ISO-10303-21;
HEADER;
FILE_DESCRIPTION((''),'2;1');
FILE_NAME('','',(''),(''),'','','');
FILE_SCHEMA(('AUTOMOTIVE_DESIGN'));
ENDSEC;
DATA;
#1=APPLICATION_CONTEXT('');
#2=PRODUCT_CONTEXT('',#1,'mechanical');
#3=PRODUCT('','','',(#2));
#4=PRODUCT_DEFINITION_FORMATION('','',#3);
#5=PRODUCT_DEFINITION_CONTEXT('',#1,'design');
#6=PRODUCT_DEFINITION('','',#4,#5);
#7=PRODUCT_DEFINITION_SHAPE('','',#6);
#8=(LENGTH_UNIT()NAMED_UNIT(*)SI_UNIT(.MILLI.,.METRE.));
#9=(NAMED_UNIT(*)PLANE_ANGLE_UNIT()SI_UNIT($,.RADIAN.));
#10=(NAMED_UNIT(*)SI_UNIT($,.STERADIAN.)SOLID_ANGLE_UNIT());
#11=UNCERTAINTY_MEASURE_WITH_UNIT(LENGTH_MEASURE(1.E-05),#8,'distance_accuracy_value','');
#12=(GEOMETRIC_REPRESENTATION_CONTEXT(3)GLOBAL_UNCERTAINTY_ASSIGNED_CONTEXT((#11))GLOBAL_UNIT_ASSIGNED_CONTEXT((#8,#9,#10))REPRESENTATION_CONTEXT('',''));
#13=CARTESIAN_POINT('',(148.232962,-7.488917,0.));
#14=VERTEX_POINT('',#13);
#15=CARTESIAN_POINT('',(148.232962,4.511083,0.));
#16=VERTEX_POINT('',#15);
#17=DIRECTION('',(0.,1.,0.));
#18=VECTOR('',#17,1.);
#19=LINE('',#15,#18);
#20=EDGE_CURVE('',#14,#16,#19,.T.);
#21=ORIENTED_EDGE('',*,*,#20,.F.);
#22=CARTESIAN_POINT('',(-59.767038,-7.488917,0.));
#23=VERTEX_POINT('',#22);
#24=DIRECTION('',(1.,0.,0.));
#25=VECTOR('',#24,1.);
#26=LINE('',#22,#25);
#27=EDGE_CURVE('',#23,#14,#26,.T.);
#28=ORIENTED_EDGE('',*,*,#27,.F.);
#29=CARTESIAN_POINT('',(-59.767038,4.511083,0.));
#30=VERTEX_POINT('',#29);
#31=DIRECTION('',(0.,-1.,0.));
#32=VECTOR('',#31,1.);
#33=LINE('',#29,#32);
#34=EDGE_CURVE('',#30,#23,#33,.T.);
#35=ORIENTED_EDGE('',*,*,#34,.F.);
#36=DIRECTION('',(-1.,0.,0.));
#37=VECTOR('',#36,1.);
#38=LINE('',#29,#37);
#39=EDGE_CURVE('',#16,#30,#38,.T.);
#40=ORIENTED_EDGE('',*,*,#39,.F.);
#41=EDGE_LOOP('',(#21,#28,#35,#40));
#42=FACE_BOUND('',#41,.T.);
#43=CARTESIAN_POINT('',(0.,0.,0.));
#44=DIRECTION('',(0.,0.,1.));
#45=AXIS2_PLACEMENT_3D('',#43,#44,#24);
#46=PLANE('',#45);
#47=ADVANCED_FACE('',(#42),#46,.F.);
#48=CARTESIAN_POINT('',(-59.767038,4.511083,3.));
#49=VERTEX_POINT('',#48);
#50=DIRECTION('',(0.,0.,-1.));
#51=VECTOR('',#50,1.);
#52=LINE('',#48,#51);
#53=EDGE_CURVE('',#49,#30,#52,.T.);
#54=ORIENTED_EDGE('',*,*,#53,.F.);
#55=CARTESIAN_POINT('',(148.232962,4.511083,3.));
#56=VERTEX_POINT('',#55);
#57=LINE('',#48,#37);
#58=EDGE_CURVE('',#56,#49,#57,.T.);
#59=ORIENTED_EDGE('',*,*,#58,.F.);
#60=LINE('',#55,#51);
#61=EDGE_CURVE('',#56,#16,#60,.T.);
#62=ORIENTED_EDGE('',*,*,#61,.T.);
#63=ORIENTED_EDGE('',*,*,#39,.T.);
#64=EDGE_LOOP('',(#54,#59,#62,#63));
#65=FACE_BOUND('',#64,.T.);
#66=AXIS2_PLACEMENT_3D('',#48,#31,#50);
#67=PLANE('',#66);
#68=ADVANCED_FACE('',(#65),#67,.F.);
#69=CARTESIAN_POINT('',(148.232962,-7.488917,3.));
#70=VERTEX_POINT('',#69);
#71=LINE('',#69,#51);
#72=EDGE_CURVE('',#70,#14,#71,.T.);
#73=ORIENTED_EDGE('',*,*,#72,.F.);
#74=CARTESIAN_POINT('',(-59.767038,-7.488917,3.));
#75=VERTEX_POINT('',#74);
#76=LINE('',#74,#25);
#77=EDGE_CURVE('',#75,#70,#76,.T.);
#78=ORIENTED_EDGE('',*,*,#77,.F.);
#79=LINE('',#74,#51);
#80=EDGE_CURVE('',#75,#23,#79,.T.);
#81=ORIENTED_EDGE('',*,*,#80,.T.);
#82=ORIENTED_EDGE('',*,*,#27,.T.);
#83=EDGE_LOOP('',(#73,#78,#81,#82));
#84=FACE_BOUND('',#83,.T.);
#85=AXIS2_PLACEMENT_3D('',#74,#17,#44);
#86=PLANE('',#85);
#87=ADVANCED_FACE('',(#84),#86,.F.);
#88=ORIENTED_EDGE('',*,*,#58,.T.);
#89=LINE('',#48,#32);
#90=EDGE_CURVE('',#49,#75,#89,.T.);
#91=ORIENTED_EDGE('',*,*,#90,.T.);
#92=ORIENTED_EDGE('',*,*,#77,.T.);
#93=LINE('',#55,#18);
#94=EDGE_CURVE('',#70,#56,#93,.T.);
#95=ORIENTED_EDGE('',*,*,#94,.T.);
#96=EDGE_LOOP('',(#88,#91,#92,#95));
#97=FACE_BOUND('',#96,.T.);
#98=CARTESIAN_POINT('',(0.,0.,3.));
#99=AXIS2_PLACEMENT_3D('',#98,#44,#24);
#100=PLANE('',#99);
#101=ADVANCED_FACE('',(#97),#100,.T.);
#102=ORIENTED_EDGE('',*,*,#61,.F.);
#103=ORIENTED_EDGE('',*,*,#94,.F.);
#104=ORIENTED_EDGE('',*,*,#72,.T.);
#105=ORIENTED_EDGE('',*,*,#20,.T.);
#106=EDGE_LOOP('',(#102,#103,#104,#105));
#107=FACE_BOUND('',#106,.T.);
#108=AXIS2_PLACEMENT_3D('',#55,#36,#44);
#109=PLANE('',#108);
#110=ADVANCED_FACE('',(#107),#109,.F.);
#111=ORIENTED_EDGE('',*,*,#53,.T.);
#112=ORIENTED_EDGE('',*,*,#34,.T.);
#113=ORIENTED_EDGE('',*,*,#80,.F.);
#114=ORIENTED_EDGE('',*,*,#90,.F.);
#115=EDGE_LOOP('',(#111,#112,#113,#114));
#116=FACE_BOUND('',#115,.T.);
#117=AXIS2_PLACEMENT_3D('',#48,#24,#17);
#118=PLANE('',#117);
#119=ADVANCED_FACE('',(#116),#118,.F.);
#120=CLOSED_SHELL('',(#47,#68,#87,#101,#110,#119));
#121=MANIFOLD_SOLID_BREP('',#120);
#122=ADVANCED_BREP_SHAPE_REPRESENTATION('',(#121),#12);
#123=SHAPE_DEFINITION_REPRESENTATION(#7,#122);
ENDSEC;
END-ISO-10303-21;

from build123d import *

# Parameters (mm, degrees)
CROQUIS1_W              = 208
CROQUIS1_H              = 12
SALIENTE_EXTRUIR1_DEPTH = 3


with BuildPart() as part:
    # Croquis1 → Saliente-Extruir1 (new body)
    with BuildSketch(Plane.XY):
        with Locations((44.232961929, -1.48891709)):
            Rectangle(CROQUIS1_W, CROQUIS1_H)
    extrude(amount=SALIENTE_EXTRUIR1_DEPTH)


solid = part.part
